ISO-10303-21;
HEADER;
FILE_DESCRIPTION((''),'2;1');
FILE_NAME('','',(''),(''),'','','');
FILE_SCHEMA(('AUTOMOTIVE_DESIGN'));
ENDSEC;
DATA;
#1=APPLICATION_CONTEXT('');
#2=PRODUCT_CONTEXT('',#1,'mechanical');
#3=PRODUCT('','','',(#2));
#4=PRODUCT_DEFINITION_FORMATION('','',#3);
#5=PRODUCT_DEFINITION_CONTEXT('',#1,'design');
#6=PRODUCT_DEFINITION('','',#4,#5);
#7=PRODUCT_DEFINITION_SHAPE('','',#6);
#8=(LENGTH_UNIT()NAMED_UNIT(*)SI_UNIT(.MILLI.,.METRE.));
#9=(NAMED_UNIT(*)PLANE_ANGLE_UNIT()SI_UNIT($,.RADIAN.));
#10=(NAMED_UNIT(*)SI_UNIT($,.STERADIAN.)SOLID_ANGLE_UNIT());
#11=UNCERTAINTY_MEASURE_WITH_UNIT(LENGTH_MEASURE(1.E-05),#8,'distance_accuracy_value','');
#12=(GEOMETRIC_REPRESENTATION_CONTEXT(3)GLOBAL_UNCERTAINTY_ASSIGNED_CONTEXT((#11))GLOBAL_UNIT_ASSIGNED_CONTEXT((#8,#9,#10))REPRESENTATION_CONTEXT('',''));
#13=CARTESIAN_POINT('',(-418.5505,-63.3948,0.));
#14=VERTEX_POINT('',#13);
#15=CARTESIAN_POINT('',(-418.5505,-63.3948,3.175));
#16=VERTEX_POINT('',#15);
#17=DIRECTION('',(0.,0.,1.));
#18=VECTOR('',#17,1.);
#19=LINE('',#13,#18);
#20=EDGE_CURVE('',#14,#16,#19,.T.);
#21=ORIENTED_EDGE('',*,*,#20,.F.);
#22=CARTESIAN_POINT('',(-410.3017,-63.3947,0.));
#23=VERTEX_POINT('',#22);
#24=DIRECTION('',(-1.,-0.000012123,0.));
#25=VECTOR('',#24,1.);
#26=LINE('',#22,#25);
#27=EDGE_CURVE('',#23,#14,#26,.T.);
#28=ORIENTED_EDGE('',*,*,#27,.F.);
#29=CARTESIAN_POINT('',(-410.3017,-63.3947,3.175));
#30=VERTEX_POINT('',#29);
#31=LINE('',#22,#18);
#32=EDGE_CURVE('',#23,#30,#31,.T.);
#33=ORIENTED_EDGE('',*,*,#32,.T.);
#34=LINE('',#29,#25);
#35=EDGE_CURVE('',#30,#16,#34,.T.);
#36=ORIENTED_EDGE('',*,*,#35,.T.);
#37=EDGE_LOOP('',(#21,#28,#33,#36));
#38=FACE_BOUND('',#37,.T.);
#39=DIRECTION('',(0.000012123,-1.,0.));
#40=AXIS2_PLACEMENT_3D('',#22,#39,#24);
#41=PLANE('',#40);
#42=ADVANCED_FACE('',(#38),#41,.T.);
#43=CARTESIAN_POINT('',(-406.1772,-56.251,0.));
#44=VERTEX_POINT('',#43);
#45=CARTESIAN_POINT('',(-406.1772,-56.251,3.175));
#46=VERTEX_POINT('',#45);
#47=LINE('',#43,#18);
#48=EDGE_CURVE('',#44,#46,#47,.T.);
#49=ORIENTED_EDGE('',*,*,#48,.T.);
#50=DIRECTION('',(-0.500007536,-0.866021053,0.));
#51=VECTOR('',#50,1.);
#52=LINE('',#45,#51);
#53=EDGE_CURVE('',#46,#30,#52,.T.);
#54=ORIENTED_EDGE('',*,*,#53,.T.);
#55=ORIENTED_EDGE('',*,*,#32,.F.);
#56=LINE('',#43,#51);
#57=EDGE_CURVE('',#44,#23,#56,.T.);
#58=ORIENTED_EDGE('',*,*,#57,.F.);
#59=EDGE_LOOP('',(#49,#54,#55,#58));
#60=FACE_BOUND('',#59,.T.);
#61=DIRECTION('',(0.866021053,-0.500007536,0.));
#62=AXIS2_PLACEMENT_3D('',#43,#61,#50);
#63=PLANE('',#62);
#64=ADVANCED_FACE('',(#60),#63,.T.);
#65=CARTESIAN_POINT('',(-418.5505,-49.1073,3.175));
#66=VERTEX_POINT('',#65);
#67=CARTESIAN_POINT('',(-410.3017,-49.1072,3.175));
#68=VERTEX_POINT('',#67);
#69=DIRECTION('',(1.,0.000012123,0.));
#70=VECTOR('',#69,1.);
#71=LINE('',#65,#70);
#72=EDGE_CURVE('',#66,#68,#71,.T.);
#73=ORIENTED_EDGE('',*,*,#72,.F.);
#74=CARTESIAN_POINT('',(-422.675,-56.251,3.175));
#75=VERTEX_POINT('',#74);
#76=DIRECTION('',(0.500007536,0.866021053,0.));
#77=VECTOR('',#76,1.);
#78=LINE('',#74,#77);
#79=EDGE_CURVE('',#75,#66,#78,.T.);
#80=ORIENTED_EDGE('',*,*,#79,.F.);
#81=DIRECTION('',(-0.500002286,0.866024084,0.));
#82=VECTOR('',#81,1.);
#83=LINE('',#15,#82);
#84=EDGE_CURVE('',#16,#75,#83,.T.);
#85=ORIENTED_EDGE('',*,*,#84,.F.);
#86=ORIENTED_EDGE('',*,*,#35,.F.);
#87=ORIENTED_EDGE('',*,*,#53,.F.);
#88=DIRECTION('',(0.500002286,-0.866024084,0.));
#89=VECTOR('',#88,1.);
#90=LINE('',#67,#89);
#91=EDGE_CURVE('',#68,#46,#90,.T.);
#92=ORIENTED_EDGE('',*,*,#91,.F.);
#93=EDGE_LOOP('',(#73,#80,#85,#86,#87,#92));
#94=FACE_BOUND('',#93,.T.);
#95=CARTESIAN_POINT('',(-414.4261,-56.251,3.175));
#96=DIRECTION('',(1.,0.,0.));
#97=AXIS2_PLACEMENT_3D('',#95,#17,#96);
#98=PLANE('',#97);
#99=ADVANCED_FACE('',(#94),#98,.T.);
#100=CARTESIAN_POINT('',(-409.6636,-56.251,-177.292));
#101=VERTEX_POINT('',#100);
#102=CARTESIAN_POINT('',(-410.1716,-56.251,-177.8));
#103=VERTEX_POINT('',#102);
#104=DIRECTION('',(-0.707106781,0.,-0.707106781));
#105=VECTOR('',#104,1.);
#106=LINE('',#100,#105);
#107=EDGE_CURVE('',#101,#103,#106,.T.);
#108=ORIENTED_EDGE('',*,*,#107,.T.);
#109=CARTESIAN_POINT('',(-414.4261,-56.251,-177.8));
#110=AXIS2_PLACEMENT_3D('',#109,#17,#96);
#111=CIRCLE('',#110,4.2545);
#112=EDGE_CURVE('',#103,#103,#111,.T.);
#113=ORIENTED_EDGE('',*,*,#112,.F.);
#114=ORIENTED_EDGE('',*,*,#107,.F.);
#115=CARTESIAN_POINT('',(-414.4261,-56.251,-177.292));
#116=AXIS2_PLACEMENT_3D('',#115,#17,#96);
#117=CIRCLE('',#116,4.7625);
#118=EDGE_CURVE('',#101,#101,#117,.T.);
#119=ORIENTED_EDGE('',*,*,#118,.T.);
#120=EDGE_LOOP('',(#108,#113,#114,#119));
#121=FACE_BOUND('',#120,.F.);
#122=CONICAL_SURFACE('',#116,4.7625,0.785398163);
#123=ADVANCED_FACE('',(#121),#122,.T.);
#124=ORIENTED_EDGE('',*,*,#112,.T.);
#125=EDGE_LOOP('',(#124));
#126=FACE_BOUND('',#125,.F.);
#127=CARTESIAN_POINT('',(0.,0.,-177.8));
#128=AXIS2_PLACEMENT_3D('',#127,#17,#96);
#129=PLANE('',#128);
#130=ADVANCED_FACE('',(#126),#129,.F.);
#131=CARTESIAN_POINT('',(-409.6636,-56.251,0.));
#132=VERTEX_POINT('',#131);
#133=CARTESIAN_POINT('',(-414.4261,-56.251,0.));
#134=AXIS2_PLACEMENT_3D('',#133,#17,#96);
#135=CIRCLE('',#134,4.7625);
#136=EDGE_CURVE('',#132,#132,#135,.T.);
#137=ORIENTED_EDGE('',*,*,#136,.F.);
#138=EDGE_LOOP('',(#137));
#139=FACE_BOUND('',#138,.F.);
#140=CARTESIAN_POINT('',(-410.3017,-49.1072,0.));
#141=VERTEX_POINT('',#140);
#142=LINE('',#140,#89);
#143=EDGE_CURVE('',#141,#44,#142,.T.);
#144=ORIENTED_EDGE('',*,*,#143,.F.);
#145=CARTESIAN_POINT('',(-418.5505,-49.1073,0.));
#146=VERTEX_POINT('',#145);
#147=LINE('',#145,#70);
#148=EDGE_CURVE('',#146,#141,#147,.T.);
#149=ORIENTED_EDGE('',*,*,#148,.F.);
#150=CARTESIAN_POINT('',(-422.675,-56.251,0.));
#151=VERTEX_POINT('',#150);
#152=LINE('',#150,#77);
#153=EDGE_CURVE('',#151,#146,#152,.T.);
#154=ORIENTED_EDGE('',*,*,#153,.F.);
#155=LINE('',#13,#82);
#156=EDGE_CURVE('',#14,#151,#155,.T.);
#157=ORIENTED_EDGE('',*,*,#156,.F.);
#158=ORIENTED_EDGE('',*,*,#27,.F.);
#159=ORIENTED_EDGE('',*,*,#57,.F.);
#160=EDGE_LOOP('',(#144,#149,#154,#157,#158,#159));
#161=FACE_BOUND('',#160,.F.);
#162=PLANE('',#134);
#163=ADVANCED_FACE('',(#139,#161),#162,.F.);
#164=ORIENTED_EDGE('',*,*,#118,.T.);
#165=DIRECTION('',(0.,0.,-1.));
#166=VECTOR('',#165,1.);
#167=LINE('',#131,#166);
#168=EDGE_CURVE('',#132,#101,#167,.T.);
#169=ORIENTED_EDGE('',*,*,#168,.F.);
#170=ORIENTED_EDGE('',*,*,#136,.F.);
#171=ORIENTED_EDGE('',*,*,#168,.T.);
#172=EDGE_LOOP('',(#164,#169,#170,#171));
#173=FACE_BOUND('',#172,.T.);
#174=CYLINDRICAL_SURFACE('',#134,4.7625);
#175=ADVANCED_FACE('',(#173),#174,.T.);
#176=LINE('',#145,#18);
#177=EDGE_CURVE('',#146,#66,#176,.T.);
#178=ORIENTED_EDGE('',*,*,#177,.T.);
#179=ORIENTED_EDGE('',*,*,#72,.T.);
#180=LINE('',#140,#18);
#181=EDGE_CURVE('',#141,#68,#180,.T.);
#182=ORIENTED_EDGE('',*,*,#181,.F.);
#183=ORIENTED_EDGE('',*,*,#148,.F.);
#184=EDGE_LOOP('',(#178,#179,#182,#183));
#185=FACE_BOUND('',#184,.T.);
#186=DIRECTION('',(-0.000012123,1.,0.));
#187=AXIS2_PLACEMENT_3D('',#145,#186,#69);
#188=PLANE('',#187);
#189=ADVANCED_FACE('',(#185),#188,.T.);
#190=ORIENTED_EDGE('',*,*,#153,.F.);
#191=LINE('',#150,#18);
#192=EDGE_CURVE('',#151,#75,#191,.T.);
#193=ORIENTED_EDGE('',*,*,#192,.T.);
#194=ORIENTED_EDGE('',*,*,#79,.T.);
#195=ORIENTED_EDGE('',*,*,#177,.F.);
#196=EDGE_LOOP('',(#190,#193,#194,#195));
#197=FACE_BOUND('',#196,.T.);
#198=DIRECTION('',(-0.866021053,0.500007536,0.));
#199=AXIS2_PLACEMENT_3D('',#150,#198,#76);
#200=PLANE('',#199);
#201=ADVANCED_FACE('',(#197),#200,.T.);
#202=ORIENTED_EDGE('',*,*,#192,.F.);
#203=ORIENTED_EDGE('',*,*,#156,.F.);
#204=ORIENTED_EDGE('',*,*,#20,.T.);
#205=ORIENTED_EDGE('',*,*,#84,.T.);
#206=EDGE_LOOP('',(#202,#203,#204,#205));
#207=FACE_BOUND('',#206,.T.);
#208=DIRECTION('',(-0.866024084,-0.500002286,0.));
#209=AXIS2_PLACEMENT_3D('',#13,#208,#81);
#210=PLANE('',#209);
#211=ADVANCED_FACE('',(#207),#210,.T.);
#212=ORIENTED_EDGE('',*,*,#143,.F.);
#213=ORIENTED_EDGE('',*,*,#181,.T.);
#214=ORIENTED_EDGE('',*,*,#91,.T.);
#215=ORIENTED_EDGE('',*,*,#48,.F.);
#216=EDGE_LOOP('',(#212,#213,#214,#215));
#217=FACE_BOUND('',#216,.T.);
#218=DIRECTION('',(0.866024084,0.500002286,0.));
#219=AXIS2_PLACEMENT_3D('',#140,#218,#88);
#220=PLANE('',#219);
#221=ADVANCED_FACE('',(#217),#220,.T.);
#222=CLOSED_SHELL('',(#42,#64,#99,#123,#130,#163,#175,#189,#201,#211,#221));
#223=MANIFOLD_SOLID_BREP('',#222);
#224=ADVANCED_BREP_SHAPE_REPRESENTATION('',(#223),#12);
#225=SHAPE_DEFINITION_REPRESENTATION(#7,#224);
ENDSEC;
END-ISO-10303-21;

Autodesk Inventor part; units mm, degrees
ref_plane "YZ Plane" through (0, 0, 0) normal (1, 0, 0) x (0, 1, 0)
ref_plane "XZ Plane" through (0, 0, 0) normal (0, 1, 0) x (-1, 0, 0)
ref_plane "XY Plane" through (0, 0, 0) normal (0, 0, 1) x (1, 0, 0)
sketch "Sketch1" plane through (0, 0, 0) normal (0, 0, 1) x (1, 0, 0)
  circle A0 centre (-414.4261, -56.251) radius 4.7625
  point P0 (0, 0)
  dimension "d0" = 9.525
extrude "Extrusion1" add sketch "Sketch1" against normal blind 177.8
sketch "Sketch2" plane through (-414.4261, -56.251, 0) normal (0, 0, 1) x (1, 0, 0)
  circle A0 centre (0, 0) radius 4.7625 projected
  line L0 (-8.2489, 0) -> (-4.1244, 7.1437)
  line L1 (-4.1244, 7.1437) -> (4.1244, 7.1438)
  line L2 (4.1244, 7.1438) -> (8.2489, 0)
  line L3 (8.2489, 0) -> (4.1244, -7.1437)
  line L4 (4.1244, -7.1437) -> (-4.1244, -7.1438)
  line L5 (-4.1244, -7.1438) -> (-8.2489, 0)
  point P0 (414.4261, 56.251)
  dimension "d3" = 14.2875
extrude "Extrusion2" add sketch "Sketch2" along normal blind 3.175 contours A0 | L0 L1 L2 L3 L4 L5
thread "Thread1" size "3/8-16 UNC" class "2A" standard "ANSI Unified Screw Threads" length 25.4
chamfer "Chamfer1" distance 0.508 angle 45 1 edges at (-419.1886, -56.251, -177.8)
properties part number "375 bolt x4" material "Steel"
